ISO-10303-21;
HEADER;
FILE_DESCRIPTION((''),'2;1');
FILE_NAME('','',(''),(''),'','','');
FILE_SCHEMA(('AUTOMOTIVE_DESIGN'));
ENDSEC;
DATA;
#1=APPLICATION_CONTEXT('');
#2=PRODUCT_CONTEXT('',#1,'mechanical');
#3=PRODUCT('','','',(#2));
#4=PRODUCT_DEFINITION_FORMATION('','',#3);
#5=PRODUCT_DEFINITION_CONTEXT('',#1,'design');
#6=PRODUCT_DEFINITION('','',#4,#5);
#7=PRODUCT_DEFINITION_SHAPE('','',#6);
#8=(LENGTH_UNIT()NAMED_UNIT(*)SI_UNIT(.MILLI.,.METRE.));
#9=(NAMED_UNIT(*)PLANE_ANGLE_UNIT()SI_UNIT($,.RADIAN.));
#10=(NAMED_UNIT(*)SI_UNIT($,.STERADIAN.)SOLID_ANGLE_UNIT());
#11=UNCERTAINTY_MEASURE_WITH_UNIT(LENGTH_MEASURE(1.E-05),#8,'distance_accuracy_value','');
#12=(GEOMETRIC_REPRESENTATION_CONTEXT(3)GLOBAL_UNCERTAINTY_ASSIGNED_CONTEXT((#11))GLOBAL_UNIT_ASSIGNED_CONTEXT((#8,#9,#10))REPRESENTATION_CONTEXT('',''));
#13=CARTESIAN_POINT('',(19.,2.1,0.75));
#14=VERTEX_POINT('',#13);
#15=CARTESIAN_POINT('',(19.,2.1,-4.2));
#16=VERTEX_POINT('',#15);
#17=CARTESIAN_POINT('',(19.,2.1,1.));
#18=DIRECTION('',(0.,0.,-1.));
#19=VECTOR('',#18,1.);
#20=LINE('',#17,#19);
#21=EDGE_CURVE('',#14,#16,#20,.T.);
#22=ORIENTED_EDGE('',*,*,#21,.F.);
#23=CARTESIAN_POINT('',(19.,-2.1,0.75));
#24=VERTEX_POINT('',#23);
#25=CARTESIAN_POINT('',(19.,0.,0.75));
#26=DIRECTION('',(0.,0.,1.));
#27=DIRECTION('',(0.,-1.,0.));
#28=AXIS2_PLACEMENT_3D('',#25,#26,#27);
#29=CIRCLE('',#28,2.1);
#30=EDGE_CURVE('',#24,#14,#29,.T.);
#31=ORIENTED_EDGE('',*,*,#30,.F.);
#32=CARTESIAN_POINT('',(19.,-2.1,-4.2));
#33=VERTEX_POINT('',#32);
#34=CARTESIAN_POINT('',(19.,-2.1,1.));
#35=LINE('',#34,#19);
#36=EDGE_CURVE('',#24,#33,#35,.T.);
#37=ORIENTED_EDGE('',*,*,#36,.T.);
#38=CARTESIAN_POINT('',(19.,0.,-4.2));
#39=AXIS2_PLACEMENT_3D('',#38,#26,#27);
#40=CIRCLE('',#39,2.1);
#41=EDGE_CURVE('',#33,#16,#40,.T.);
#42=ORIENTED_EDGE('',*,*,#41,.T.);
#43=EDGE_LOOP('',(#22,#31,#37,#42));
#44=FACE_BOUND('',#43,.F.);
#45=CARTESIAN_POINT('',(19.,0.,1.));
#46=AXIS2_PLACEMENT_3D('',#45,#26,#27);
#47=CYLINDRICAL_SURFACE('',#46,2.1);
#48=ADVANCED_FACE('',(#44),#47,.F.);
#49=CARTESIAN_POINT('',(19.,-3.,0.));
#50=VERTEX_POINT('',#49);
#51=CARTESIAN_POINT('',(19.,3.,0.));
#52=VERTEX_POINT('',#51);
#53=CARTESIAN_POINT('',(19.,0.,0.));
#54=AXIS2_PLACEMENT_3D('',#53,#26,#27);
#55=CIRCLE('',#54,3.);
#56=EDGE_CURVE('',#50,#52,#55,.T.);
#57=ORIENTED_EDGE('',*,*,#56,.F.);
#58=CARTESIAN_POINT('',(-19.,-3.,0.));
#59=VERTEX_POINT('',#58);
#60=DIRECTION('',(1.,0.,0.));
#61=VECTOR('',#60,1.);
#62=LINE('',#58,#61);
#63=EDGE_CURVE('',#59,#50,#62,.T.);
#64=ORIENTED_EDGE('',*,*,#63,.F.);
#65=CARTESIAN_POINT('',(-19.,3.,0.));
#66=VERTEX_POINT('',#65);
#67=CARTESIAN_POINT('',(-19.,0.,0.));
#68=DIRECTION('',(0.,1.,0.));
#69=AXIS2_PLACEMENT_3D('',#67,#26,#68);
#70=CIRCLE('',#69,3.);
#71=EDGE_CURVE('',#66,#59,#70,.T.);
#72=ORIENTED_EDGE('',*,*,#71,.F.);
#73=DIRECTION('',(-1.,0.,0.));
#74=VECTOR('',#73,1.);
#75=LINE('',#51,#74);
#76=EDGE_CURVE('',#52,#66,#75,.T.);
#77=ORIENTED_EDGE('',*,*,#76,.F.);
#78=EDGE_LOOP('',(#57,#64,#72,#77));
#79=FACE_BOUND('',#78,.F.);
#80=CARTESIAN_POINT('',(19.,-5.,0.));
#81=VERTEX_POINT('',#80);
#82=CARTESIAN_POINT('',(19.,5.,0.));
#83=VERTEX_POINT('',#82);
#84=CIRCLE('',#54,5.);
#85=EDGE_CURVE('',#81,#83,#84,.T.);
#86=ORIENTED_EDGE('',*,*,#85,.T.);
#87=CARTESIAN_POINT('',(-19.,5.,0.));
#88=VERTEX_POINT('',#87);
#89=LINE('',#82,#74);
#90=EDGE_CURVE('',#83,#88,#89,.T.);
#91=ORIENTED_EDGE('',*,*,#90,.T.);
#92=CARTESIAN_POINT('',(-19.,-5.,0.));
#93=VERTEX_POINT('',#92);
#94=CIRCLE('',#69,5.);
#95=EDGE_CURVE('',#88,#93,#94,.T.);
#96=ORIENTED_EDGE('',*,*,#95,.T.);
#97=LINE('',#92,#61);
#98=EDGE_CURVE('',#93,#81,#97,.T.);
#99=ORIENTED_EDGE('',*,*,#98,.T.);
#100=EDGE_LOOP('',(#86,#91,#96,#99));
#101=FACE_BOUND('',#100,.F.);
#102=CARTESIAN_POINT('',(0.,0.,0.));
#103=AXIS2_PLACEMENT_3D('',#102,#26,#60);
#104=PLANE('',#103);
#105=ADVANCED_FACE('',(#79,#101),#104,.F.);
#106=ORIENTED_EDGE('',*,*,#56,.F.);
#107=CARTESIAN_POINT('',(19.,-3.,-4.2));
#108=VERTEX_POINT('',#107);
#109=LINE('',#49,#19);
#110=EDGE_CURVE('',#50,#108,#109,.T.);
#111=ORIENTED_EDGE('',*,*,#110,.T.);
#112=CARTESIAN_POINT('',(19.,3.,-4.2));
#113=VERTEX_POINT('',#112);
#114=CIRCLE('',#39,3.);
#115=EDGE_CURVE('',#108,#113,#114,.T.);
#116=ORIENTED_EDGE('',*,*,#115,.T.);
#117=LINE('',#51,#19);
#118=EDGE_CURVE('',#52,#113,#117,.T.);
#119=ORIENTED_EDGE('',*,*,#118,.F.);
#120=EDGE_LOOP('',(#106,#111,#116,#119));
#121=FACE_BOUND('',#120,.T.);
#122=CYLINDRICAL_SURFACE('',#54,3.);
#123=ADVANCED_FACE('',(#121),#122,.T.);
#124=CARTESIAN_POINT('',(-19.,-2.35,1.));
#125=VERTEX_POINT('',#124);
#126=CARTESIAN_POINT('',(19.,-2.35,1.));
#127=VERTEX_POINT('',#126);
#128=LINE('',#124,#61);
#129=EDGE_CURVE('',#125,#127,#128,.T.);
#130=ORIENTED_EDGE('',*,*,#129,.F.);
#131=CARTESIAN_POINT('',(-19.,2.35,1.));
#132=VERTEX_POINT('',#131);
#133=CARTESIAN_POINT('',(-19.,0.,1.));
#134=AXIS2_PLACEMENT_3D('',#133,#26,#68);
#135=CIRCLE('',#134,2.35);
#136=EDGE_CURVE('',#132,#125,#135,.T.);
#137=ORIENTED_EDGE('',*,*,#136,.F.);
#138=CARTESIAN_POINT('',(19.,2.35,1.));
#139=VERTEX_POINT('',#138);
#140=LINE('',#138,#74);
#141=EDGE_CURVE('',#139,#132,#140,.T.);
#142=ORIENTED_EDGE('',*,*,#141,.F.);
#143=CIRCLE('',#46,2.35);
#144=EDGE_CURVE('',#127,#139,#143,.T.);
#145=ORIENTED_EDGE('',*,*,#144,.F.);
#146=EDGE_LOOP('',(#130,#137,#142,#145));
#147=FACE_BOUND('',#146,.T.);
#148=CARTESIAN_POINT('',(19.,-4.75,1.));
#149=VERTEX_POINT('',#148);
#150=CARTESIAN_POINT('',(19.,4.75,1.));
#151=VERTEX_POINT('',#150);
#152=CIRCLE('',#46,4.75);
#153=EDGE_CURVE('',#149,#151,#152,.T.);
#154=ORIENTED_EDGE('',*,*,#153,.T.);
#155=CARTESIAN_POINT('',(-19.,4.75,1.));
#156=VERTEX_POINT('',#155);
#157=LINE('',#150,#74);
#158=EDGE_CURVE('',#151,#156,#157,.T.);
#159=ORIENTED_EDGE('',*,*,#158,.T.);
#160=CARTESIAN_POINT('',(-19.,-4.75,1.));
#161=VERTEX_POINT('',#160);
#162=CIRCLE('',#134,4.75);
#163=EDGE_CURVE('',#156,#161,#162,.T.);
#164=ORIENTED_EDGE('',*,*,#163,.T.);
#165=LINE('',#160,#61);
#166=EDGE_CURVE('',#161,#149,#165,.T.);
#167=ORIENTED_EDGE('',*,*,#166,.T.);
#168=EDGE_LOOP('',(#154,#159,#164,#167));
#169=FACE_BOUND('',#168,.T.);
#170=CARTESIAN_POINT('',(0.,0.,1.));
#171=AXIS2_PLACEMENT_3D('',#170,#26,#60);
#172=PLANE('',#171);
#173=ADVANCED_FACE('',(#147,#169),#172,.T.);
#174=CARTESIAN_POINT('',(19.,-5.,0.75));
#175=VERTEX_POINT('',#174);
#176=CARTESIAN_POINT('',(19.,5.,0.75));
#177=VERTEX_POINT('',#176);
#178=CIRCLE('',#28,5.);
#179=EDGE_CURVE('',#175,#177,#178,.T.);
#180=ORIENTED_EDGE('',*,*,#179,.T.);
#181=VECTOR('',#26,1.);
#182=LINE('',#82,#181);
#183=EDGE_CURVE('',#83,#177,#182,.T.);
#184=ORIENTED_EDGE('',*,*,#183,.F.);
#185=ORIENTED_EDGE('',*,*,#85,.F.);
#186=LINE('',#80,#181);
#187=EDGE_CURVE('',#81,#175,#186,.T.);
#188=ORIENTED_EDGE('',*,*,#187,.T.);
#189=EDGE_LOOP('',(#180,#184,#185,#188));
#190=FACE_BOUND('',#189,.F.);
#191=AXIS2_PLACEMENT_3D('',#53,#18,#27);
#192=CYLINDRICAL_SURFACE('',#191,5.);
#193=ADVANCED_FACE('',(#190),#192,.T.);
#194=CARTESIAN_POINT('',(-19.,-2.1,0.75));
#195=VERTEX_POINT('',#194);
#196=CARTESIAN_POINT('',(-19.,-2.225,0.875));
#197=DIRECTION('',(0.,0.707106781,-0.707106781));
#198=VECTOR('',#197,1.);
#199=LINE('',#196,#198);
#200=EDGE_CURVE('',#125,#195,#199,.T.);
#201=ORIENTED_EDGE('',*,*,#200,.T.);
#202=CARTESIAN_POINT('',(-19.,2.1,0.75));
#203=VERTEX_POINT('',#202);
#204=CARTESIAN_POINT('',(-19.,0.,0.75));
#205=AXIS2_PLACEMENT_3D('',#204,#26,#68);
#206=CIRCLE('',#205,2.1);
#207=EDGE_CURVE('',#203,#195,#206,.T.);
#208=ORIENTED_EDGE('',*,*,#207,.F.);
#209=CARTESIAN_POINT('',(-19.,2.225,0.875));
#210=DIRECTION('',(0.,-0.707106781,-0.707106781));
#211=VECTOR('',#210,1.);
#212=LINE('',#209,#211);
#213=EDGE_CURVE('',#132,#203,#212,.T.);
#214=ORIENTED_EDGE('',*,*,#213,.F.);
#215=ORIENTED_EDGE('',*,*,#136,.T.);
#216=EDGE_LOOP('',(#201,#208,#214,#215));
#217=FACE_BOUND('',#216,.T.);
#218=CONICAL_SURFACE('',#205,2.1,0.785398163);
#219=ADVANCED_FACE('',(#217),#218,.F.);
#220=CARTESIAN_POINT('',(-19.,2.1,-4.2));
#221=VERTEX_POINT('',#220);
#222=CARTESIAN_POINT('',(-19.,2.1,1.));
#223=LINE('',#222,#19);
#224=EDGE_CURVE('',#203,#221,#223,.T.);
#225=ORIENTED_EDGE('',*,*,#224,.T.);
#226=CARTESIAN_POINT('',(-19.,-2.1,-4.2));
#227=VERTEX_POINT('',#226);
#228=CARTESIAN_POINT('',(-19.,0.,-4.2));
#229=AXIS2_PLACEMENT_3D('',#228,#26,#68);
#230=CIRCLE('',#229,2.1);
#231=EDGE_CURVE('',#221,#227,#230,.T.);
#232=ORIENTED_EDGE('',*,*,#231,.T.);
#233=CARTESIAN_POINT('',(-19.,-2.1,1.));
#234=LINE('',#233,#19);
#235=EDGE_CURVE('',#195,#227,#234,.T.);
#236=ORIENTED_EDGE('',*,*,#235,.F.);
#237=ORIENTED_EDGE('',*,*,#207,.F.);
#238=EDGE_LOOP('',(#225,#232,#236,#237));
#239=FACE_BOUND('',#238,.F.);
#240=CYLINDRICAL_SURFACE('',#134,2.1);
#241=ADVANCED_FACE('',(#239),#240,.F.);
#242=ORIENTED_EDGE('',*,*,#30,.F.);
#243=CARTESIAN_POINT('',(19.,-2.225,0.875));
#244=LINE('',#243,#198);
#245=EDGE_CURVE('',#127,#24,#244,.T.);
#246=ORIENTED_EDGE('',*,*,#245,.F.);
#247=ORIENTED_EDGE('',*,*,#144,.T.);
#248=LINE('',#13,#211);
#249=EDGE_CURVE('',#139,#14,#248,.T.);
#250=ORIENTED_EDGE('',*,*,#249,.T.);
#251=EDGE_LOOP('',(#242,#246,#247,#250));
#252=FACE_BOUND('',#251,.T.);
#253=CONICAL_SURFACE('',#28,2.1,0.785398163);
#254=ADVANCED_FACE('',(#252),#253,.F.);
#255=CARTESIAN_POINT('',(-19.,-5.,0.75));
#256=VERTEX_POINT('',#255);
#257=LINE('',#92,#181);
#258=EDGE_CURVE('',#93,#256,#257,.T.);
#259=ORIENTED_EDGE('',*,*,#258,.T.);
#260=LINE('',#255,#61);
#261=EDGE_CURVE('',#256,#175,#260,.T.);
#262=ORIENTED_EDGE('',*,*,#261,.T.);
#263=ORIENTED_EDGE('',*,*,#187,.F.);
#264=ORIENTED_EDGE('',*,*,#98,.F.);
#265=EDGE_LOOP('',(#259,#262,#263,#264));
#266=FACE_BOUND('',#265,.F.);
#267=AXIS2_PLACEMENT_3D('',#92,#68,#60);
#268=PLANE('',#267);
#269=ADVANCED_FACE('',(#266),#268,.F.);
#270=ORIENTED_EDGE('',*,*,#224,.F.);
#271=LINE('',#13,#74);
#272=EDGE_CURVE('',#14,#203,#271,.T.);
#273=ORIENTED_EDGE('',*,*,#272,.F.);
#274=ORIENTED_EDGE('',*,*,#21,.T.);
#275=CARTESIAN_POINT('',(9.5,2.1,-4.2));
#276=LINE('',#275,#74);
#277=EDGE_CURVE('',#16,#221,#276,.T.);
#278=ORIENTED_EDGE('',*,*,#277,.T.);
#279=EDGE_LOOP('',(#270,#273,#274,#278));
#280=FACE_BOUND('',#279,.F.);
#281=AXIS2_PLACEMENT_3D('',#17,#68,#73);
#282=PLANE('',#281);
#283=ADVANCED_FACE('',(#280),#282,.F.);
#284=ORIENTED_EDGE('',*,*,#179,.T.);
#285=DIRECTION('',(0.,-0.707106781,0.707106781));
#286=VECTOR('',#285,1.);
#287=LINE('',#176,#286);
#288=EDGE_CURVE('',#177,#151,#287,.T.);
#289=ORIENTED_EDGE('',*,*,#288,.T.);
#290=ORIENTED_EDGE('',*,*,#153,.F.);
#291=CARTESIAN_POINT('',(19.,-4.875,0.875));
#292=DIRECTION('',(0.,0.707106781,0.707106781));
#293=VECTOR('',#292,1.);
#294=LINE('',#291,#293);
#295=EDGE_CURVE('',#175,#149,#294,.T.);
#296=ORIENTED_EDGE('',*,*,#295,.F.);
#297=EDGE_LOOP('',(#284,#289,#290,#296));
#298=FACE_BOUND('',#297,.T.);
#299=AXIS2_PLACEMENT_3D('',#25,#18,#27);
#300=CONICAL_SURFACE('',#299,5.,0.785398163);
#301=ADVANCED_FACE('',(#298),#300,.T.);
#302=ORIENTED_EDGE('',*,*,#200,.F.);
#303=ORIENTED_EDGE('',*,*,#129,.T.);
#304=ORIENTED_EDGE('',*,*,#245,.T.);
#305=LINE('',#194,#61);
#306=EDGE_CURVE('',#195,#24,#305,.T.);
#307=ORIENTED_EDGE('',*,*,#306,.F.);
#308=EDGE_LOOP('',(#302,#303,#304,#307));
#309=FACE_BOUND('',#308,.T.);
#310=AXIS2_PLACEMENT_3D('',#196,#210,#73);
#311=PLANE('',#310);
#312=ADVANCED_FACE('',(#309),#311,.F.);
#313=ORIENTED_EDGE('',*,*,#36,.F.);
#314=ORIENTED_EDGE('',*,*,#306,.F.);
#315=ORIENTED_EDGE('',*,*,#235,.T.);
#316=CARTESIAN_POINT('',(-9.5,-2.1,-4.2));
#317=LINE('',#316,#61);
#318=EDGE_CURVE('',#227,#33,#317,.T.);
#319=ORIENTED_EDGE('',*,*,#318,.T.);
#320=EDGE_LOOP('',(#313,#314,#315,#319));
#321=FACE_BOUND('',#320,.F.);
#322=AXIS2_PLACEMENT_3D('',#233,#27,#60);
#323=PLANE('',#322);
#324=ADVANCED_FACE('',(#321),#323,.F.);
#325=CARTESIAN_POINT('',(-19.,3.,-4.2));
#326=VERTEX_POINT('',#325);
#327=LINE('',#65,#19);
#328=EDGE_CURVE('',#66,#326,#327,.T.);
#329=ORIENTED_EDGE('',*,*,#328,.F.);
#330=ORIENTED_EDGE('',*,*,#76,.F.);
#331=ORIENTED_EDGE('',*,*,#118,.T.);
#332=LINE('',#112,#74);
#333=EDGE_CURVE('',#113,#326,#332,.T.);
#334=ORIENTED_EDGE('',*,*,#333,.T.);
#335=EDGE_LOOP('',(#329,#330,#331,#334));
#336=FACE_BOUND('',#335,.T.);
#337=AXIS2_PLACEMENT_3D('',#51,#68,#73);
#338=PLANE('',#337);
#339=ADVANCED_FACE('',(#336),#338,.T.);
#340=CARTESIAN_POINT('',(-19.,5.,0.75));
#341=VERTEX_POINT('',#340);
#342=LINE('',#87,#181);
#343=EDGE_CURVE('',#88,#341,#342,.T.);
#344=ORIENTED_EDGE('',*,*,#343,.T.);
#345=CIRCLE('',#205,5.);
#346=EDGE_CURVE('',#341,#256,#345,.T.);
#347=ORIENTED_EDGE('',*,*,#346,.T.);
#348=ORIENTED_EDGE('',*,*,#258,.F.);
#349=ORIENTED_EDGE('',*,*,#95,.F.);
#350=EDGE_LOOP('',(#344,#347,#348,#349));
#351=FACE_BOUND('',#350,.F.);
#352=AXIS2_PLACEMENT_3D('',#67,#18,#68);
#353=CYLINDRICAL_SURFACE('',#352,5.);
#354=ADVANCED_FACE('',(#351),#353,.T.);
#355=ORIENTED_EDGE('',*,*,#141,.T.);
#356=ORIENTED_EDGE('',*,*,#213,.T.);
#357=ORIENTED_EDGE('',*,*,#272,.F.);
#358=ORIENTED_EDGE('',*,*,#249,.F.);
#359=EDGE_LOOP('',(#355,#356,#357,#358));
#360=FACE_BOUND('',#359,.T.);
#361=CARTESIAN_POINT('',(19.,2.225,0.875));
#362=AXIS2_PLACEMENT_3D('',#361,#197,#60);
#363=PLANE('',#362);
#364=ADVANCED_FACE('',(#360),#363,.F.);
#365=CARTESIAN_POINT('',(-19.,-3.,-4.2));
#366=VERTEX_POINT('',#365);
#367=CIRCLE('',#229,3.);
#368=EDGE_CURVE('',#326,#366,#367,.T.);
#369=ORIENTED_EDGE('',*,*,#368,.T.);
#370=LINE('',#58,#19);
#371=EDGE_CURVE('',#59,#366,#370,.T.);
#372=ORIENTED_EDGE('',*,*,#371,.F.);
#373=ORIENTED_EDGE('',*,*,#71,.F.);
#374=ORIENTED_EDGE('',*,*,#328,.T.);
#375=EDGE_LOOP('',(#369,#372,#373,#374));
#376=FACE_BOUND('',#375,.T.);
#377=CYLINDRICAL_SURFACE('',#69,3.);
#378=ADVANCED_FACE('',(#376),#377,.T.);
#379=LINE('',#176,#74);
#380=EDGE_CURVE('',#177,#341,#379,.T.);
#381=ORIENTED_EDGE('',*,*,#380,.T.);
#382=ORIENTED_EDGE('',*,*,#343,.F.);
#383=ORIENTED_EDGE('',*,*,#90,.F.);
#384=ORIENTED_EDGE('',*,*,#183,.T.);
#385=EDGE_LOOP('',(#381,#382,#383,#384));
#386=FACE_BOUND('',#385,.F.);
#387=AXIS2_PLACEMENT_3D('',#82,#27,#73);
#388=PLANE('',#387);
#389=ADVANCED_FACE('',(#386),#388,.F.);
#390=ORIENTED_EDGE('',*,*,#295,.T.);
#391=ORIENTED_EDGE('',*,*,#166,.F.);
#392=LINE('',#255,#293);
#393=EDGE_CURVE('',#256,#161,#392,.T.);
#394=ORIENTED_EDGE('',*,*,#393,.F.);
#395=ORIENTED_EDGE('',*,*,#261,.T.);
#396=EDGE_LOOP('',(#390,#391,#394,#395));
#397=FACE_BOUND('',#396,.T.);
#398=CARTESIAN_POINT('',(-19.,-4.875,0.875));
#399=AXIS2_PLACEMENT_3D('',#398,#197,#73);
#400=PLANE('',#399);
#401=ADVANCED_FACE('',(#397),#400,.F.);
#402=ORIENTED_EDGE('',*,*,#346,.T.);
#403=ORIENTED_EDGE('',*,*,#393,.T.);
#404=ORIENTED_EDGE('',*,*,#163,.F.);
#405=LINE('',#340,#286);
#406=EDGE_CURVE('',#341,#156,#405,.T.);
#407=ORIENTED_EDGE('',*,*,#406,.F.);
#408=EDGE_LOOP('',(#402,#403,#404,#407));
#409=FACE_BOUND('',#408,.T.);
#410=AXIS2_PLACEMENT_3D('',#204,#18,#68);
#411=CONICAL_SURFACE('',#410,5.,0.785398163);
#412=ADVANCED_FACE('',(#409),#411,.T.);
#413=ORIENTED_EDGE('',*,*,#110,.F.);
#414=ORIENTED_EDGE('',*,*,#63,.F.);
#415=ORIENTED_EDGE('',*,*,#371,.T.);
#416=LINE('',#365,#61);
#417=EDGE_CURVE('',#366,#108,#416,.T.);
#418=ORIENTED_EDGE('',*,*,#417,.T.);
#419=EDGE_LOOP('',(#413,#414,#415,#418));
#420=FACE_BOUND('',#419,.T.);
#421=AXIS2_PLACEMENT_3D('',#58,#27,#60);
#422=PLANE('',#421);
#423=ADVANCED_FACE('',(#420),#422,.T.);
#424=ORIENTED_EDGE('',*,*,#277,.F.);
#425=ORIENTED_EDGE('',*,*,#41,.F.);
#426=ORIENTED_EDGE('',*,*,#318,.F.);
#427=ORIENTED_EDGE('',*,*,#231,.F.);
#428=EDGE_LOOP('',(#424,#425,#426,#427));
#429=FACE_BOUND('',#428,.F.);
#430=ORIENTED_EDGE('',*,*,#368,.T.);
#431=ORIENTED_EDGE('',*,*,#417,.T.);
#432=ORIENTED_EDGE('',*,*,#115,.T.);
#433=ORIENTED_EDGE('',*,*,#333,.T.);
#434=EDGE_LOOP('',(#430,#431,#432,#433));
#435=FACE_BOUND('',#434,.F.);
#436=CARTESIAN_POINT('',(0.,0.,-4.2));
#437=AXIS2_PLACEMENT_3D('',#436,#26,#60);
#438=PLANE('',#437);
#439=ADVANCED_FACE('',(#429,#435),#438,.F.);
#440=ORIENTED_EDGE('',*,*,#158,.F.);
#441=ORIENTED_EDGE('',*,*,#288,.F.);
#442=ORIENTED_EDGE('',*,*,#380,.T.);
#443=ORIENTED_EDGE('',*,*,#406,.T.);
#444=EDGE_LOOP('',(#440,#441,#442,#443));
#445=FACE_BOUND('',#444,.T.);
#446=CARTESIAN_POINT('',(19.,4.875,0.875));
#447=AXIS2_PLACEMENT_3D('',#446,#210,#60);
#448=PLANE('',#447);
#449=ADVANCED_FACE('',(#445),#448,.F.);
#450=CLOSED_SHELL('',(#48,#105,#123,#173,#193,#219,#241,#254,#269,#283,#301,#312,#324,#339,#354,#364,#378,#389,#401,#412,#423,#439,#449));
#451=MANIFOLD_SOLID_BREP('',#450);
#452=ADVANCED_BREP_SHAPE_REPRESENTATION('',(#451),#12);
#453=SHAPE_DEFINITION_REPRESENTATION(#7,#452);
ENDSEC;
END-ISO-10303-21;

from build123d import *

# Parameters (mm, degrees)
F1_DEPTH = 4.2
F3_DEPTH = 1
F5_DEPTH = 5.201
F6_SIZE  = 0.25


with BuildPart() as f1:
    # F0 (on Top) → F1 (new body)
    with BuildSketch(Plane.XY):
        with BuildLine():
            Line((19, 3), (-19, 3))
            ThreePointArc((-19, 3), (-22, 0), (-19, -3))
            Line((-19, -3), (19, -3))
            ThreePointArc((19, -3), (22, 0), (19, 3))
        make_face()
    extrude(amount=-F1_DEPTH)

    # F2 (on face) → F3 (join)
    with BuildSketch(Plane.XY):
        with BuildLine():
            ThreePointArc((-19, 5), (-24, 0), (-19, -5))
            Line((-19, -5), (19, -5))
            ThreePointArc((19, -5), (24, 0), (19, 5))
            Line((19, 5), (-19, 5))
        make_face()
    extrude(amount=F3_DEPTH)

    # F4 (on face) → F5 (cut, through all)
    with BuildSketch(Plane.XY.offset(1)):
        with BuildLine():
            Line((-19, -2.1), (19, -2.1))
            ThreePointArc((19, -2.1), (21.1, 0), (19, 2.1))
            Line((19, 2.1), (-19, 2.1))
            ThreePointArc((-19, 2.1), (-21.1, 0), (-19, -2.1))
        make_face()
    extrude(amount=-F5_DEPTH, mode=Mode.SUBTRACT)

    # F6
    f6_edges = [f1.edges().sort_by_distance(p)[0] for p in [
        (-24, 0, 1),
        (0, 5, 1),
        (0, -5, 1),
        (24, 0, 1),
        (0, -2.1, 1),
        (21.1, 0, 1),
        (0, 2.1, 1),
        (-21.1, 0, 1),
    ]]
    chamfer(f6_edges, length=F6_SIZE)


solid = f1.part
